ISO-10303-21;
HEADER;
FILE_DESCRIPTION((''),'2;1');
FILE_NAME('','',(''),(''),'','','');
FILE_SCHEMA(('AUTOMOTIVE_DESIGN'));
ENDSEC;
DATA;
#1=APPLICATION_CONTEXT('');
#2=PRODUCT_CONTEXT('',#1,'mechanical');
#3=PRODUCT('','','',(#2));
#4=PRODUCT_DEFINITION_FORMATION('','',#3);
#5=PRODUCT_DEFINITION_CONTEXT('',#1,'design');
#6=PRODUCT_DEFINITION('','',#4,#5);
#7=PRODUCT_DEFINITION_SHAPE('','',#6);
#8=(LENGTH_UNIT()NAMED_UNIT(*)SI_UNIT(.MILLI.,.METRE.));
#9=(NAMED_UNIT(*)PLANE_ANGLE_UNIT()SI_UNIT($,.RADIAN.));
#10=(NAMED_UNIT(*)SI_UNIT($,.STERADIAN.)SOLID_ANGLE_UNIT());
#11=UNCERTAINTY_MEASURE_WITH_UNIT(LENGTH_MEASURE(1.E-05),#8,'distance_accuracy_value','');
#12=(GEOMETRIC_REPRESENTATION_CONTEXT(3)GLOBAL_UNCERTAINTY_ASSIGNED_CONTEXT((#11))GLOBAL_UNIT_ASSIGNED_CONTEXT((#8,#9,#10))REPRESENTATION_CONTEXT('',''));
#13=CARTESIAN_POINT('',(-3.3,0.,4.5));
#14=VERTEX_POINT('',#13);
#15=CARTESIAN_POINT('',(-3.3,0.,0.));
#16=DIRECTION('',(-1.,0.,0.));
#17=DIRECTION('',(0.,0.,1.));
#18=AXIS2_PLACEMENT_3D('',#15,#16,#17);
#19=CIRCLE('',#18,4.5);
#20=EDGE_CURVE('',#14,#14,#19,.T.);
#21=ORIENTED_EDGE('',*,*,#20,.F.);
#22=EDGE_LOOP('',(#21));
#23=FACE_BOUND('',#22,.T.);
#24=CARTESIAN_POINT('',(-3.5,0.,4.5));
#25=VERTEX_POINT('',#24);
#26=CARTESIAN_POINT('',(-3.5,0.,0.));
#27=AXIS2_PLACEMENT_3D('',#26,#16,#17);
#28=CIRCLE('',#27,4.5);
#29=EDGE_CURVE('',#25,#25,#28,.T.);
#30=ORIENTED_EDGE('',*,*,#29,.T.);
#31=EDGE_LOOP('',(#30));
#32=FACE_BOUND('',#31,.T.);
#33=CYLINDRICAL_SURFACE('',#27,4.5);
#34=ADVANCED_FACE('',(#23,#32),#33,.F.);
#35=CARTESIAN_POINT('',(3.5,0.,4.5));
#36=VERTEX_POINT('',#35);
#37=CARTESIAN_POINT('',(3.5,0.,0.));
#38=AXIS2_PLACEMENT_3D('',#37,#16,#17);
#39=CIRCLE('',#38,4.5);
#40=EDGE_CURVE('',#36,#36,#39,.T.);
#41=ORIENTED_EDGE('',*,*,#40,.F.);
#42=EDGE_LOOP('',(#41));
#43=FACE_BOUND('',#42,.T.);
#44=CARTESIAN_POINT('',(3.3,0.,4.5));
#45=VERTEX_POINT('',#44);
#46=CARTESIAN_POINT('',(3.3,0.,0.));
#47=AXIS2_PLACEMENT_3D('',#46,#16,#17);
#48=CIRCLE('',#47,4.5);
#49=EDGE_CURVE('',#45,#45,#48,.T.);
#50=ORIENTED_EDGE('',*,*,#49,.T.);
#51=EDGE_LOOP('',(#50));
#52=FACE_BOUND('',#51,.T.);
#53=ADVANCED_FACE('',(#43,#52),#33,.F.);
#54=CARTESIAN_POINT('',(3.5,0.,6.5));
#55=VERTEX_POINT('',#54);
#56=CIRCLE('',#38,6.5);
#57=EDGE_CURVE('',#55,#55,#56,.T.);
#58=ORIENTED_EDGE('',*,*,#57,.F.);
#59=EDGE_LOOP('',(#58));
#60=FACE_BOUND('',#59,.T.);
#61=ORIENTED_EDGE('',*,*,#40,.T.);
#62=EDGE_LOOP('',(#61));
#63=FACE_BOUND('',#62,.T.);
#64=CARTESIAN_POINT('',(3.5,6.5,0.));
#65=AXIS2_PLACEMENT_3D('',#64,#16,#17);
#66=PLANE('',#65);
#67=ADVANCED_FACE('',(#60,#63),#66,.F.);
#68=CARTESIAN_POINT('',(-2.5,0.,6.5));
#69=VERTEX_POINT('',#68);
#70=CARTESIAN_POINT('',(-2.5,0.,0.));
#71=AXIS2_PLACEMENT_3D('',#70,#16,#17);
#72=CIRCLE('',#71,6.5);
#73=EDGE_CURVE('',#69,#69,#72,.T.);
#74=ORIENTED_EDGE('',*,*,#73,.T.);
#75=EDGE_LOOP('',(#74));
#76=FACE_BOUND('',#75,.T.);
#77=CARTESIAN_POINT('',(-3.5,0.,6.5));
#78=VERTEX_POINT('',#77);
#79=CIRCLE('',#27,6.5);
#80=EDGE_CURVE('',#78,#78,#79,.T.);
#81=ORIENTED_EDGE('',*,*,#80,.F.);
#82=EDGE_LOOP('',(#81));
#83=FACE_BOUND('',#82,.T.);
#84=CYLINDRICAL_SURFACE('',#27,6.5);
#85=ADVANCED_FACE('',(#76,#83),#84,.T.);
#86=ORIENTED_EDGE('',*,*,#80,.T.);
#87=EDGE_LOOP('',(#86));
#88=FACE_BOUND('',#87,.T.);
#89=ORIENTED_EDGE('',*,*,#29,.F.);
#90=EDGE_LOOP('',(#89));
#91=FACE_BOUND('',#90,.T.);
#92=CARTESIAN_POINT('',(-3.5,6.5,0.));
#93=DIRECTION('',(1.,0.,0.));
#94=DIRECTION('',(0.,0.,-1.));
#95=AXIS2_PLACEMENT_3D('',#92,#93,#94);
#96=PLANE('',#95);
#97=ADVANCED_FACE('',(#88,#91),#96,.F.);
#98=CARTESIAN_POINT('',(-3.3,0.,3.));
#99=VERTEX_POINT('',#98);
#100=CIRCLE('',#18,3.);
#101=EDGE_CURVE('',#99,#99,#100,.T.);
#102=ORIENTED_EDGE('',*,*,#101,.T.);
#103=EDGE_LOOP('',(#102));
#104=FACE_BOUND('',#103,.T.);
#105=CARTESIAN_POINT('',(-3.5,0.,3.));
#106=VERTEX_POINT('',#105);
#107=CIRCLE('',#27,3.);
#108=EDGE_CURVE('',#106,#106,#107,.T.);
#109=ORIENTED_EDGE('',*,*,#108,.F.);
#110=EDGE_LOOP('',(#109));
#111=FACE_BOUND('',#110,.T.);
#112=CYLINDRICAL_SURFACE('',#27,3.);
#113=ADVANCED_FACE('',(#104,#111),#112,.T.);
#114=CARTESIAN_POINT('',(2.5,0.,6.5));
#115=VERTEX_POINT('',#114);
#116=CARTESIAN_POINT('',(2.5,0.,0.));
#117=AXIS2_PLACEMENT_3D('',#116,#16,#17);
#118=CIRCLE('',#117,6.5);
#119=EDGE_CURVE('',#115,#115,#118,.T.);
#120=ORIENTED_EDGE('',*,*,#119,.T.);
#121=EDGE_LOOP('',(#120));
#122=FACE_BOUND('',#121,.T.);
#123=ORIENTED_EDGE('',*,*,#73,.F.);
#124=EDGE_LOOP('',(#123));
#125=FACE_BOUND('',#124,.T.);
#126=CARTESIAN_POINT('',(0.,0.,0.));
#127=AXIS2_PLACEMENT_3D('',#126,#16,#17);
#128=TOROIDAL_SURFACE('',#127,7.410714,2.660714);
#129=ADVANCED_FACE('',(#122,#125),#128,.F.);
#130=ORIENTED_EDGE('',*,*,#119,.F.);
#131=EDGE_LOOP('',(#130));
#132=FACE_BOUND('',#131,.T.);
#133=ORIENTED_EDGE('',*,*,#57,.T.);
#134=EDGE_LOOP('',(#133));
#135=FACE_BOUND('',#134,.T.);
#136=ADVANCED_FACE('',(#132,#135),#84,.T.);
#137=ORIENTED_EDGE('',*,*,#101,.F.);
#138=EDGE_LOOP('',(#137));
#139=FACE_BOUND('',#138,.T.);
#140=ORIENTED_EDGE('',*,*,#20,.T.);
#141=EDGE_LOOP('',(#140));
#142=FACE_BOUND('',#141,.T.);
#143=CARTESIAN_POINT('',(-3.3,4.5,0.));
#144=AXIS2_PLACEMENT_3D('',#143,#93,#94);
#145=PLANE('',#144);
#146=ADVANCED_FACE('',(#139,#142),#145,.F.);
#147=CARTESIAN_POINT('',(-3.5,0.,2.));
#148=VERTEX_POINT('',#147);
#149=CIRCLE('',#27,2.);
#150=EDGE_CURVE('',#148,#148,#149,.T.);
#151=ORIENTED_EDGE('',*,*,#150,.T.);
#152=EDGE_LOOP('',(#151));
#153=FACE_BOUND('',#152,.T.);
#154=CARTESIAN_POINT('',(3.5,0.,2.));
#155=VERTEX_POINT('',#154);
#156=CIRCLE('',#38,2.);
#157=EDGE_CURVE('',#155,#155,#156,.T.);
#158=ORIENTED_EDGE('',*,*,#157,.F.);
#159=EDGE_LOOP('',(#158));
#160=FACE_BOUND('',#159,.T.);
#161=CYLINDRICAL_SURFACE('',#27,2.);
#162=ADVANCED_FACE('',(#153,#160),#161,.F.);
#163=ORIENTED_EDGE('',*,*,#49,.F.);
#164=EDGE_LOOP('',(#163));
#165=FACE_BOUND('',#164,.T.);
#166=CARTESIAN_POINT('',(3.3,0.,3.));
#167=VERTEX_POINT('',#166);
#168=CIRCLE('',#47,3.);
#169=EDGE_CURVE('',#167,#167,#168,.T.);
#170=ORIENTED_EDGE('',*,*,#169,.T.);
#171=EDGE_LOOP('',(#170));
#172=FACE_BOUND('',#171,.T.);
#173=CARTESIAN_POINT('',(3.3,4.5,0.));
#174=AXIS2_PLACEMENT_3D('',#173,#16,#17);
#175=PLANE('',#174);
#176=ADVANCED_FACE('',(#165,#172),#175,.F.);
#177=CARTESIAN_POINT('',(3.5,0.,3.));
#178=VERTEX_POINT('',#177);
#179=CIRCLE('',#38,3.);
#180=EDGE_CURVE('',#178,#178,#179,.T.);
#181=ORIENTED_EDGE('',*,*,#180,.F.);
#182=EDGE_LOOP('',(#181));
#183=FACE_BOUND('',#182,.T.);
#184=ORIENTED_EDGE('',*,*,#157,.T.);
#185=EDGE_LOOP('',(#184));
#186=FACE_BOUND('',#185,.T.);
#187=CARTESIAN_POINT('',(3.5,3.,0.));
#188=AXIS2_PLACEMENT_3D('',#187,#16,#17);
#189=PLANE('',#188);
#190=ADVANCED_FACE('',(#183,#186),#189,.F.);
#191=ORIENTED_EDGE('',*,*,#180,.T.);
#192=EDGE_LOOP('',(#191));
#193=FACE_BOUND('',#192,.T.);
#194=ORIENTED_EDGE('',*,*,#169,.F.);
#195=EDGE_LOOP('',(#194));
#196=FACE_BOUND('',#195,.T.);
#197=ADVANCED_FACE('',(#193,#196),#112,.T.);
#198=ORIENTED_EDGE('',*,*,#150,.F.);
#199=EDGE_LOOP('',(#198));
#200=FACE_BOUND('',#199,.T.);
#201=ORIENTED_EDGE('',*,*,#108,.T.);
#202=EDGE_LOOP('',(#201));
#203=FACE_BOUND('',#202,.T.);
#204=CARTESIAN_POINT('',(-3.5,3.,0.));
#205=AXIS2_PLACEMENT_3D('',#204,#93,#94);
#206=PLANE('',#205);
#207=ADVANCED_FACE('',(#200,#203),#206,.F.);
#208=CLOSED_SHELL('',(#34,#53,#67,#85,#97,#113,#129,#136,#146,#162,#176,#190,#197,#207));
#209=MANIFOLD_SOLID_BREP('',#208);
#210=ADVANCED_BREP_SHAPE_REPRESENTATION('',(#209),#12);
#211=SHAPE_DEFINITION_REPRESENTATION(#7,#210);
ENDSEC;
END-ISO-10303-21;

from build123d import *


with BuildPart() as part:
    # Esquisse1 → Révolution1 (revolve)
    with BuildSketch(Plane.XY, mode=Mode.PRIVATE) as r_volution1_sk:
        with BuildLine():
            Line((-3.5, 3), (-3.3, 3))
            Line((-3.3, 3), (-3.3, 4.5))
            Line((-3.3, 4.5), (-3.5, 4.5))
            Line((-3.5, 4.5), (-3.5, 6.5))
            Line((-3.5, 6.5), (-2.5, 6.5))
            ThreePointArc((-2.5, 6.5), (0, 4.75), (2.5, 6.5))
            Line((2.5, 6.5), (3.5, 6.5))
            Line((3.5, 6.5), (3.5, 4.5))
            Line((3.5, 4.5), (3.3, 4.5))
            Line((3.3, 4.5), (3.3, 3))
            Line((3.3, 3), (3.5, 3))
            Line((3.5, 3), (3.5, 2))
            Line((3.5, 2), (-3.5, 2))
            Line((-3.5, 2), (-3.5, 3))
        make_face()
    revolve(r_volution1_sk.sketch.rotate(Axis((-3.5, 0, 0), (1, 0, 0)), 90), axis=Axis((-3.5, 0, 0), (1, 0, 0)))


solid = part.part
